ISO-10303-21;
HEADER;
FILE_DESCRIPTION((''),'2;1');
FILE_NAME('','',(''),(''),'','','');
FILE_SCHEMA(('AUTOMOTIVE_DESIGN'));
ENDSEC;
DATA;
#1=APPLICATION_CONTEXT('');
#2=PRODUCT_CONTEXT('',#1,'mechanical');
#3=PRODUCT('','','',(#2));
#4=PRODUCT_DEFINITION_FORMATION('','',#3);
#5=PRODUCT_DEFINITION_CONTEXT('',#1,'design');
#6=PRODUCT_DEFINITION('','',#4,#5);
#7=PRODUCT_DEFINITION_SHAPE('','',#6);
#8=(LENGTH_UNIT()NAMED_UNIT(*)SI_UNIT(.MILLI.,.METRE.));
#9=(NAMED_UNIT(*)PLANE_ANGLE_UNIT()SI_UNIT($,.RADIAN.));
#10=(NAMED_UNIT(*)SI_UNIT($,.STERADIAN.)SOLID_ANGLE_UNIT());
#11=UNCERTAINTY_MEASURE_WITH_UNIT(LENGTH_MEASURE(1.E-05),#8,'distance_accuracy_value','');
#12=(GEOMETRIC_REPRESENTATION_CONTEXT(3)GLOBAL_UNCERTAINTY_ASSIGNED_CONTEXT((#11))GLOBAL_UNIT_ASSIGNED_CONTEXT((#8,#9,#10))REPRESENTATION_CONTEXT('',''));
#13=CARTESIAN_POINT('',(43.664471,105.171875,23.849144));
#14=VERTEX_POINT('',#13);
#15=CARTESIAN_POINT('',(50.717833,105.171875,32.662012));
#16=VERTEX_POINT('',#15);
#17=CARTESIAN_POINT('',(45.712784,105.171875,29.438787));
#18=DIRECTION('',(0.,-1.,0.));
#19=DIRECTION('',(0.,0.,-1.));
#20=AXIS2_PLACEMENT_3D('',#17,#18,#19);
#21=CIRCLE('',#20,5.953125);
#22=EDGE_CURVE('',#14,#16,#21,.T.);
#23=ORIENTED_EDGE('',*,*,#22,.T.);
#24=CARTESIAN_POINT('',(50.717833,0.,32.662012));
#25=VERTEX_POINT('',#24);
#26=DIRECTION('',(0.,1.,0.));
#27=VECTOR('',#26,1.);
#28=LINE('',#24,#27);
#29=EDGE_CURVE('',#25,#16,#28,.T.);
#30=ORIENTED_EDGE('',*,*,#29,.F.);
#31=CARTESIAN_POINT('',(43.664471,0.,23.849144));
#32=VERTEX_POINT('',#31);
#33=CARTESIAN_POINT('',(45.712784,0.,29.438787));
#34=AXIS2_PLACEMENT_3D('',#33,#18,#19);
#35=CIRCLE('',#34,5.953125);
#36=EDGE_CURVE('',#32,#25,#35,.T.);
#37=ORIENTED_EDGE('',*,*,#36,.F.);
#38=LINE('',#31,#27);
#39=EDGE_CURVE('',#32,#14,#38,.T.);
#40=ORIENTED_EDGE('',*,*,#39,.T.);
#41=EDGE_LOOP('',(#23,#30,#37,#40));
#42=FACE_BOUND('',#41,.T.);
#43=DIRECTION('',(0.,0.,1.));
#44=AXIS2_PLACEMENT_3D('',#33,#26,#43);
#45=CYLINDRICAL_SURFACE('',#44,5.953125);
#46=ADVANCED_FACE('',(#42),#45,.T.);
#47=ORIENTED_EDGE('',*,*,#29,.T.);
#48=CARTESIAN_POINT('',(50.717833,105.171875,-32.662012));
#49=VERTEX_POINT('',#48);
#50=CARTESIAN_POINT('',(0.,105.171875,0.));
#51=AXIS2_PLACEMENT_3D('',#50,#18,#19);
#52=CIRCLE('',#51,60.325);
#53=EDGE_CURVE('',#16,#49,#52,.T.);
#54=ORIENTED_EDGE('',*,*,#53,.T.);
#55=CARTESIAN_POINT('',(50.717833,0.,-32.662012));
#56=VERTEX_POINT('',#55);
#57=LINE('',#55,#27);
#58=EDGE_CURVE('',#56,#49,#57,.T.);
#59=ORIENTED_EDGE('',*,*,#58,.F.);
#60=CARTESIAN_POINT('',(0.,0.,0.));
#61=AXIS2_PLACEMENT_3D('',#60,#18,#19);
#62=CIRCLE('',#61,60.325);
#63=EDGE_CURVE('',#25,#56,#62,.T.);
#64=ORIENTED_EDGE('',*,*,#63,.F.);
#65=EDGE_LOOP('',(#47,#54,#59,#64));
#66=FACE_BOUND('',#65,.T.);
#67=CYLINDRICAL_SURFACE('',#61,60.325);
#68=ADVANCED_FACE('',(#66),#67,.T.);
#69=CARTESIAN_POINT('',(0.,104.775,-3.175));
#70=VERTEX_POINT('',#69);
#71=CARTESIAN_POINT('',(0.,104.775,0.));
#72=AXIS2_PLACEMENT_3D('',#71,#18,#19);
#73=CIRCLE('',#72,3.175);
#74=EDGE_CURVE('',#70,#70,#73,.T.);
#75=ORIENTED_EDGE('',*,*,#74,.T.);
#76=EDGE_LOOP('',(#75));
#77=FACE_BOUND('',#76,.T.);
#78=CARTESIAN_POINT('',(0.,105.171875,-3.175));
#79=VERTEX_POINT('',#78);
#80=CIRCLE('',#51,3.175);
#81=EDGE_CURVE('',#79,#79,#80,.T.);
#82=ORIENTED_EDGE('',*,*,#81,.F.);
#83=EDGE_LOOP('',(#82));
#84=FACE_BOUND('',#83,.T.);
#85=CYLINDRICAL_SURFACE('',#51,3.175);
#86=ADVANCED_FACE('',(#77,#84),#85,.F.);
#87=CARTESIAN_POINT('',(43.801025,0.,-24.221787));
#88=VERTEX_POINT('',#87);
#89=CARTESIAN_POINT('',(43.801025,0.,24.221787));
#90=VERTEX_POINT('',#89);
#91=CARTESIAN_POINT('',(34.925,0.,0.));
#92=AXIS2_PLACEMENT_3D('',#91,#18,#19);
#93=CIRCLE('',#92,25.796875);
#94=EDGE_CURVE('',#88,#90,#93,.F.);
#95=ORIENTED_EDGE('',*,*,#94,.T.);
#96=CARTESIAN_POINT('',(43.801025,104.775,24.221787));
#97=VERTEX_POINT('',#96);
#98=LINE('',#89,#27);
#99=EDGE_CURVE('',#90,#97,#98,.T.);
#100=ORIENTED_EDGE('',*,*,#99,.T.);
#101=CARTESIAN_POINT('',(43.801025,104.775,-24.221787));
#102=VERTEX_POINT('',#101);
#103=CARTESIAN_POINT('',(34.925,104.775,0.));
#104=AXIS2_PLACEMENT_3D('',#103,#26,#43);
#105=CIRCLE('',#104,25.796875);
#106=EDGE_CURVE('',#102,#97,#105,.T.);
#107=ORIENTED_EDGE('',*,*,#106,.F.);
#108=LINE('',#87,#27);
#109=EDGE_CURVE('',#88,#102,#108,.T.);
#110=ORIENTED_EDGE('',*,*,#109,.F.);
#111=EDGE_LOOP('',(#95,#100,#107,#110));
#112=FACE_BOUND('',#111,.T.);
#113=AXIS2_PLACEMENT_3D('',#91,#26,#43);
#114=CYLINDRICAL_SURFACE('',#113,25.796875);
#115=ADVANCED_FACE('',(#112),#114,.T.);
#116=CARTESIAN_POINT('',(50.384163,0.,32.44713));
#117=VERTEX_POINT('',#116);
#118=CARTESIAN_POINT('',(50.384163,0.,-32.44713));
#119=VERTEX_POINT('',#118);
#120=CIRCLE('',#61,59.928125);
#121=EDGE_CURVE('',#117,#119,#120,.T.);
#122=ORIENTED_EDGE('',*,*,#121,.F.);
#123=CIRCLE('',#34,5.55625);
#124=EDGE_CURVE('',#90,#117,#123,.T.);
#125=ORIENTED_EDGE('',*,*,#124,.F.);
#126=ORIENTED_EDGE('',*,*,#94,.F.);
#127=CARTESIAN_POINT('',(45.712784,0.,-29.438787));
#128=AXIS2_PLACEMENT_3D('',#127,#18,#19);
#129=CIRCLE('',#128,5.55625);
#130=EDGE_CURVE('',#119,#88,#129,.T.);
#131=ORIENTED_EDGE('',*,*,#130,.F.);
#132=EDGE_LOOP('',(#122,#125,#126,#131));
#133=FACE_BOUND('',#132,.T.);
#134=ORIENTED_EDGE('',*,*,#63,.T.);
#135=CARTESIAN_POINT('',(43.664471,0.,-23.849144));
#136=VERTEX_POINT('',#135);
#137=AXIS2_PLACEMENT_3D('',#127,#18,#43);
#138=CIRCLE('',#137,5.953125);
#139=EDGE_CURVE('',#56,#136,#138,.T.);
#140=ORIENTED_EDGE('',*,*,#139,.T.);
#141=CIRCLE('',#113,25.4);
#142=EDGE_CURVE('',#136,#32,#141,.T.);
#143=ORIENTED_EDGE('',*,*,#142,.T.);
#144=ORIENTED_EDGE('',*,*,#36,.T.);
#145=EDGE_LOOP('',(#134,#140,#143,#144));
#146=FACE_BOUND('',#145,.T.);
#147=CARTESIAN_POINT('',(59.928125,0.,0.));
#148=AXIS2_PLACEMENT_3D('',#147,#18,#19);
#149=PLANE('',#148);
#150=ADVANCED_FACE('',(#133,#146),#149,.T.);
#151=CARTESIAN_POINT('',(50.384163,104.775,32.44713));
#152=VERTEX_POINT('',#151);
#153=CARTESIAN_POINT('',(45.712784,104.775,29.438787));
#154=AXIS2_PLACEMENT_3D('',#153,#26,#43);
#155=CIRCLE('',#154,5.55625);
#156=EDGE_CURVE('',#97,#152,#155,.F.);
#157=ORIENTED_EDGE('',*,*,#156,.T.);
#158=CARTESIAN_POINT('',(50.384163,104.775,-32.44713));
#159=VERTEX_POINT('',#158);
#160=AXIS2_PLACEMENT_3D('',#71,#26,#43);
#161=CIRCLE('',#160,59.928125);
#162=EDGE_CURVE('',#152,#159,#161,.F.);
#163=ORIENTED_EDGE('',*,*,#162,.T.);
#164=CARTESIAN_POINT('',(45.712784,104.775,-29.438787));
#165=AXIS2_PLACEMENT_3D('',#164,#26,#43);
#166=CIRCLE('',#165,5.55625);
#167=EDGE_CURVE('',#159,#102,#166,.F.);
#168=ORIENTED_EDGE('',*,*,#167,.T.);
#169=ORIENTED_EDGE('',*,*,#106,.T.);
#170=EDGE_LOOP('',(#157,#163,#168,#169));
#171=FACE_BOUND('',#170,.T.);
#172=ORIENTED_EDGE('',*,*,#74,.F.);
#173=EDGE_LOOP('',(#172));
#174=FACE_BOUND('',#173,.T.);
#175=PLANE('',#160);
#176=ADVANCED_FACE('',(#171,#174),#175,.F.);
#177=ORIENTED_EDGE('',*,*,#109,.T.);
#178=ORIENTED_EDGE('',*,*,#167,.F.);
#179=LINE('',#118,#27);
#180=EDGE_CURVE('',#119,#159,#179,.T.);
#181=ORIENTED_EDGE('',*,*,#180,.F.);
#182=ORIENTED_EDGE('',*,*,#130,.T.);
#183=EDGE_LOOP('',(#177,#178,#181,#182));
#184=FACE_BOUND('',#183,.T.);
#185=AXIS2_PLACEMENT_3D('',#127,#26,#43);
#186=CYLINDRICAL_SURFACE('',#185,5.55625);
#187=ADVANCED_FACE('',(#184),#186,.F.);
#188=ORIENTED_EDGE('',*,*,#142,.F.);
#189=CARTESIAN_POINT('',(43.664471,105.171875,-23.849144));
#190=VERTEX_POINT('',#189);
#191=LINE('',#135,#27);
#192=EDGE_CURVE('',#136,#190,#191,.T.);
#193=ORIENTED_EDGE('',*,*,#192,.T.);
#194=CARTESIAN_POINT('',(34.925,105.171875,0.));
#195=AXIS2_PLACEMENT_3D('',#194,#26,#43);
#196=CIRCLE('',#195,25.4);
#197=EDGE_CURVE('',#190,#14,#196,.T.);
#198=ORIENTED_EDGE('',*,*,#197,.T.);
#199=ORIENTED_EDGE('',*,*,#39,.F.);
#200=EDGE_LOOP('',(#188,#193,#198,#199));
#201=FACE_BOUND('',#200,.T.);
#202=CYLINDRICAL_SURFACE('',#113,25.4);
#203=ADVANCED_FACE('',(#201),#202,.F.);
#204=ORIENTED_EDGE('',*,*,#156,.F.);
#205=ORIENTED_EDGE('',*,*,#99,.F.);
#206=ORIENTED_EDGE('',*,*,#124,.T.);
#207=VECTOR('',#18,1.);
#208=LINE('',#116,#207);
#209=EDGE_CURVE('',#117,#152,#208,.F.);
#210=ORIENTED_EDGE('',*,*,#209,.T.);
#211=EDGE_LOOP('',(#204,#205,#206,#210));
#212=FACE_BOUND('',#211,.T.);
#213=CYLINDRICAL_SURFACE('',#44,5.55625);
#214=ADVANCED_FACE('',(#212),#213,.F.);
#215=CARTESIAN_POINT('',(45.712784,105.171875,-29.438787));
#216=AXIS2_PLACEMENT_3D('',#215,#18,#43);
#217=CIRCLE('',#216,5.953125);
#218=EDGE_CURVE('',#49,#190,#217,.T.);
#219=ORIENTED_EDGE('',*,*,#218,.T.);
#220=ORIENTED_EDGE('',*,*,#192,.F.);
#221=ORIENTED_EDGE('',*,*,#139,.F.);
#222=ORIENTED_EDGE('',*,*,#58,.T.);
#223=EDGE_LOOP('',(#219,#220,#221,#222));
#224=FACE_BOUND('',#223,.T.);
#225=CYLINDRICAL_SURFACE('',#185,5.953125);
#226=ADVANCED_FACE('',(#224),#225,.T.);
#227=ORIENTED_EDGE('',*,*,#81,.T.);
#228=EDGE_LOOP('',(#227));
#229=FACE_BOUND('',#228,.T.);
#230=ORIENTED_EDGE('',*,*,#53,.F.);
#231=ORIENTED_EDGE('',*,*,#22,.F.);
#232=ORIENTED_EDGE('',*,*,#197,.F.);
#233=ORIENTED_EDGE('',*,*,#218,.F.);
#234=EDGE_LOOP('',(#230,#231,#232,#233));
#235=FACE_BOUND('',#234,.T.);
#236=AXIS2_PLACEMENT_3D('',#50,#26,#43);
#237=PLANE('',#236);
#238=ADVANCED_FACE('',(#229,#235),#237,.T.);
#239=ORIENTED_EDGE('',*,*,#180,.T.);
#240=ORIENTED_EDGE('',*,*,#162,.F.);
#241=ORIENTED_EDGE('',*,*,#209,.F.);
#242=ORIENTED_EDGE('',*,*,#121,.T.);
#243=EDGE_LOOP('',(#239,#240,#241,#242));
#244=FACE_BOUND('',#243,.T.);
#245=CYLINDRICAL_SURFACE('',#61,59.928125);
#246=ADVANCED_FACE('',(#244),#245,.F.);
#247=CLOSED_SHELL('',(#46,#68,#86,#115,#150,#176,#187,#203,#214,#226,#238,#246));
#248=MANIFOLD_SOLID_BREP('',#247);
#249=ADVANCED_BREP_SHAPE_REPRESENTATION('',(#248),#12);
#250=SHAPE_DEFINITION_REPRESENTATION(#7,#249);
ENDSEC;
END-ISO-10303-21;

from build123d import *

# Parameters (mm, degrees)
CUT_EXTRUDE1_DEPTH = 136.422799192
SHELL1_T           = -0.396875
SKETCH3_R          = 3.175
CUT_EXTRUDE2_DEPTH = 136.114809977


with BuildPart() as part:
    # Sketch1 → Revolve1 (revolve)
    with BuildSketch(Plane.XY, mode=Mode.PRIVATE) as revolve1_sk:
        Polygon((0, 105.171875), (60.325, 105.171875), (60.325, 0), (59.928125, 0), (0, 0), align=None)
    revolve(revolve1_sk.sketch.rotate(Axis((0, 0, 0), (0, 1, 0)), 90), axis=Axis((0, 0, 0), (0, 1, 0)))

    # Sketch2 → Cut-Extrude1 (cut, through all)
    with BuildSketch(Plane(origin=(0, 105.171875, 0), x_dir=(1, 0, 0), z_dir=(0, 1, 0))):
        with BuildLine():
            ThreePointArc((43.664470656, 23.849143646), (9.525, 0), (43.664470656, -23.849143646))
            ThreePointArc((43.664470656, -23.849143646), (50.360604205, -25.718912301), (50.717833444, -32.662011508))
            ThreePointArc((50.717833444, -32.662011508), (60.325, 0), (50.717833444, 32.662011508))
            ThreePointArc((50.717833444, 32.662011508), (50.360604205, 25.718912301), (43.664470656, 23.849143646))
        make_face()
    extrude(amount=-CUT_EXTRUDE1_DEPTH, mode=Mode.SUBTRACT)

    # Shell1
    shell1_openings = [part.faces().sort_by_distance(p)[0] for p in [
        (-8.714175157, 0, 0),
    ]]
    offset(amount=SHELL1_T, openings=shell1_openings, kind=Kind.INTERSECTION)

    # Sketch3 → Cut-Extrude2 (cut, through all)
    with BuildSketch(Plane.XZ.offset(-104.775)):
        with Locations(Location((0, 0, 0), (0, 0, 270))):
            Circle(SKETCH3_R)
    extrude(amount=-CUT_EXTRUDE2_DEPTH, mode=Mode.SUBTRACT)


solid = part.part
